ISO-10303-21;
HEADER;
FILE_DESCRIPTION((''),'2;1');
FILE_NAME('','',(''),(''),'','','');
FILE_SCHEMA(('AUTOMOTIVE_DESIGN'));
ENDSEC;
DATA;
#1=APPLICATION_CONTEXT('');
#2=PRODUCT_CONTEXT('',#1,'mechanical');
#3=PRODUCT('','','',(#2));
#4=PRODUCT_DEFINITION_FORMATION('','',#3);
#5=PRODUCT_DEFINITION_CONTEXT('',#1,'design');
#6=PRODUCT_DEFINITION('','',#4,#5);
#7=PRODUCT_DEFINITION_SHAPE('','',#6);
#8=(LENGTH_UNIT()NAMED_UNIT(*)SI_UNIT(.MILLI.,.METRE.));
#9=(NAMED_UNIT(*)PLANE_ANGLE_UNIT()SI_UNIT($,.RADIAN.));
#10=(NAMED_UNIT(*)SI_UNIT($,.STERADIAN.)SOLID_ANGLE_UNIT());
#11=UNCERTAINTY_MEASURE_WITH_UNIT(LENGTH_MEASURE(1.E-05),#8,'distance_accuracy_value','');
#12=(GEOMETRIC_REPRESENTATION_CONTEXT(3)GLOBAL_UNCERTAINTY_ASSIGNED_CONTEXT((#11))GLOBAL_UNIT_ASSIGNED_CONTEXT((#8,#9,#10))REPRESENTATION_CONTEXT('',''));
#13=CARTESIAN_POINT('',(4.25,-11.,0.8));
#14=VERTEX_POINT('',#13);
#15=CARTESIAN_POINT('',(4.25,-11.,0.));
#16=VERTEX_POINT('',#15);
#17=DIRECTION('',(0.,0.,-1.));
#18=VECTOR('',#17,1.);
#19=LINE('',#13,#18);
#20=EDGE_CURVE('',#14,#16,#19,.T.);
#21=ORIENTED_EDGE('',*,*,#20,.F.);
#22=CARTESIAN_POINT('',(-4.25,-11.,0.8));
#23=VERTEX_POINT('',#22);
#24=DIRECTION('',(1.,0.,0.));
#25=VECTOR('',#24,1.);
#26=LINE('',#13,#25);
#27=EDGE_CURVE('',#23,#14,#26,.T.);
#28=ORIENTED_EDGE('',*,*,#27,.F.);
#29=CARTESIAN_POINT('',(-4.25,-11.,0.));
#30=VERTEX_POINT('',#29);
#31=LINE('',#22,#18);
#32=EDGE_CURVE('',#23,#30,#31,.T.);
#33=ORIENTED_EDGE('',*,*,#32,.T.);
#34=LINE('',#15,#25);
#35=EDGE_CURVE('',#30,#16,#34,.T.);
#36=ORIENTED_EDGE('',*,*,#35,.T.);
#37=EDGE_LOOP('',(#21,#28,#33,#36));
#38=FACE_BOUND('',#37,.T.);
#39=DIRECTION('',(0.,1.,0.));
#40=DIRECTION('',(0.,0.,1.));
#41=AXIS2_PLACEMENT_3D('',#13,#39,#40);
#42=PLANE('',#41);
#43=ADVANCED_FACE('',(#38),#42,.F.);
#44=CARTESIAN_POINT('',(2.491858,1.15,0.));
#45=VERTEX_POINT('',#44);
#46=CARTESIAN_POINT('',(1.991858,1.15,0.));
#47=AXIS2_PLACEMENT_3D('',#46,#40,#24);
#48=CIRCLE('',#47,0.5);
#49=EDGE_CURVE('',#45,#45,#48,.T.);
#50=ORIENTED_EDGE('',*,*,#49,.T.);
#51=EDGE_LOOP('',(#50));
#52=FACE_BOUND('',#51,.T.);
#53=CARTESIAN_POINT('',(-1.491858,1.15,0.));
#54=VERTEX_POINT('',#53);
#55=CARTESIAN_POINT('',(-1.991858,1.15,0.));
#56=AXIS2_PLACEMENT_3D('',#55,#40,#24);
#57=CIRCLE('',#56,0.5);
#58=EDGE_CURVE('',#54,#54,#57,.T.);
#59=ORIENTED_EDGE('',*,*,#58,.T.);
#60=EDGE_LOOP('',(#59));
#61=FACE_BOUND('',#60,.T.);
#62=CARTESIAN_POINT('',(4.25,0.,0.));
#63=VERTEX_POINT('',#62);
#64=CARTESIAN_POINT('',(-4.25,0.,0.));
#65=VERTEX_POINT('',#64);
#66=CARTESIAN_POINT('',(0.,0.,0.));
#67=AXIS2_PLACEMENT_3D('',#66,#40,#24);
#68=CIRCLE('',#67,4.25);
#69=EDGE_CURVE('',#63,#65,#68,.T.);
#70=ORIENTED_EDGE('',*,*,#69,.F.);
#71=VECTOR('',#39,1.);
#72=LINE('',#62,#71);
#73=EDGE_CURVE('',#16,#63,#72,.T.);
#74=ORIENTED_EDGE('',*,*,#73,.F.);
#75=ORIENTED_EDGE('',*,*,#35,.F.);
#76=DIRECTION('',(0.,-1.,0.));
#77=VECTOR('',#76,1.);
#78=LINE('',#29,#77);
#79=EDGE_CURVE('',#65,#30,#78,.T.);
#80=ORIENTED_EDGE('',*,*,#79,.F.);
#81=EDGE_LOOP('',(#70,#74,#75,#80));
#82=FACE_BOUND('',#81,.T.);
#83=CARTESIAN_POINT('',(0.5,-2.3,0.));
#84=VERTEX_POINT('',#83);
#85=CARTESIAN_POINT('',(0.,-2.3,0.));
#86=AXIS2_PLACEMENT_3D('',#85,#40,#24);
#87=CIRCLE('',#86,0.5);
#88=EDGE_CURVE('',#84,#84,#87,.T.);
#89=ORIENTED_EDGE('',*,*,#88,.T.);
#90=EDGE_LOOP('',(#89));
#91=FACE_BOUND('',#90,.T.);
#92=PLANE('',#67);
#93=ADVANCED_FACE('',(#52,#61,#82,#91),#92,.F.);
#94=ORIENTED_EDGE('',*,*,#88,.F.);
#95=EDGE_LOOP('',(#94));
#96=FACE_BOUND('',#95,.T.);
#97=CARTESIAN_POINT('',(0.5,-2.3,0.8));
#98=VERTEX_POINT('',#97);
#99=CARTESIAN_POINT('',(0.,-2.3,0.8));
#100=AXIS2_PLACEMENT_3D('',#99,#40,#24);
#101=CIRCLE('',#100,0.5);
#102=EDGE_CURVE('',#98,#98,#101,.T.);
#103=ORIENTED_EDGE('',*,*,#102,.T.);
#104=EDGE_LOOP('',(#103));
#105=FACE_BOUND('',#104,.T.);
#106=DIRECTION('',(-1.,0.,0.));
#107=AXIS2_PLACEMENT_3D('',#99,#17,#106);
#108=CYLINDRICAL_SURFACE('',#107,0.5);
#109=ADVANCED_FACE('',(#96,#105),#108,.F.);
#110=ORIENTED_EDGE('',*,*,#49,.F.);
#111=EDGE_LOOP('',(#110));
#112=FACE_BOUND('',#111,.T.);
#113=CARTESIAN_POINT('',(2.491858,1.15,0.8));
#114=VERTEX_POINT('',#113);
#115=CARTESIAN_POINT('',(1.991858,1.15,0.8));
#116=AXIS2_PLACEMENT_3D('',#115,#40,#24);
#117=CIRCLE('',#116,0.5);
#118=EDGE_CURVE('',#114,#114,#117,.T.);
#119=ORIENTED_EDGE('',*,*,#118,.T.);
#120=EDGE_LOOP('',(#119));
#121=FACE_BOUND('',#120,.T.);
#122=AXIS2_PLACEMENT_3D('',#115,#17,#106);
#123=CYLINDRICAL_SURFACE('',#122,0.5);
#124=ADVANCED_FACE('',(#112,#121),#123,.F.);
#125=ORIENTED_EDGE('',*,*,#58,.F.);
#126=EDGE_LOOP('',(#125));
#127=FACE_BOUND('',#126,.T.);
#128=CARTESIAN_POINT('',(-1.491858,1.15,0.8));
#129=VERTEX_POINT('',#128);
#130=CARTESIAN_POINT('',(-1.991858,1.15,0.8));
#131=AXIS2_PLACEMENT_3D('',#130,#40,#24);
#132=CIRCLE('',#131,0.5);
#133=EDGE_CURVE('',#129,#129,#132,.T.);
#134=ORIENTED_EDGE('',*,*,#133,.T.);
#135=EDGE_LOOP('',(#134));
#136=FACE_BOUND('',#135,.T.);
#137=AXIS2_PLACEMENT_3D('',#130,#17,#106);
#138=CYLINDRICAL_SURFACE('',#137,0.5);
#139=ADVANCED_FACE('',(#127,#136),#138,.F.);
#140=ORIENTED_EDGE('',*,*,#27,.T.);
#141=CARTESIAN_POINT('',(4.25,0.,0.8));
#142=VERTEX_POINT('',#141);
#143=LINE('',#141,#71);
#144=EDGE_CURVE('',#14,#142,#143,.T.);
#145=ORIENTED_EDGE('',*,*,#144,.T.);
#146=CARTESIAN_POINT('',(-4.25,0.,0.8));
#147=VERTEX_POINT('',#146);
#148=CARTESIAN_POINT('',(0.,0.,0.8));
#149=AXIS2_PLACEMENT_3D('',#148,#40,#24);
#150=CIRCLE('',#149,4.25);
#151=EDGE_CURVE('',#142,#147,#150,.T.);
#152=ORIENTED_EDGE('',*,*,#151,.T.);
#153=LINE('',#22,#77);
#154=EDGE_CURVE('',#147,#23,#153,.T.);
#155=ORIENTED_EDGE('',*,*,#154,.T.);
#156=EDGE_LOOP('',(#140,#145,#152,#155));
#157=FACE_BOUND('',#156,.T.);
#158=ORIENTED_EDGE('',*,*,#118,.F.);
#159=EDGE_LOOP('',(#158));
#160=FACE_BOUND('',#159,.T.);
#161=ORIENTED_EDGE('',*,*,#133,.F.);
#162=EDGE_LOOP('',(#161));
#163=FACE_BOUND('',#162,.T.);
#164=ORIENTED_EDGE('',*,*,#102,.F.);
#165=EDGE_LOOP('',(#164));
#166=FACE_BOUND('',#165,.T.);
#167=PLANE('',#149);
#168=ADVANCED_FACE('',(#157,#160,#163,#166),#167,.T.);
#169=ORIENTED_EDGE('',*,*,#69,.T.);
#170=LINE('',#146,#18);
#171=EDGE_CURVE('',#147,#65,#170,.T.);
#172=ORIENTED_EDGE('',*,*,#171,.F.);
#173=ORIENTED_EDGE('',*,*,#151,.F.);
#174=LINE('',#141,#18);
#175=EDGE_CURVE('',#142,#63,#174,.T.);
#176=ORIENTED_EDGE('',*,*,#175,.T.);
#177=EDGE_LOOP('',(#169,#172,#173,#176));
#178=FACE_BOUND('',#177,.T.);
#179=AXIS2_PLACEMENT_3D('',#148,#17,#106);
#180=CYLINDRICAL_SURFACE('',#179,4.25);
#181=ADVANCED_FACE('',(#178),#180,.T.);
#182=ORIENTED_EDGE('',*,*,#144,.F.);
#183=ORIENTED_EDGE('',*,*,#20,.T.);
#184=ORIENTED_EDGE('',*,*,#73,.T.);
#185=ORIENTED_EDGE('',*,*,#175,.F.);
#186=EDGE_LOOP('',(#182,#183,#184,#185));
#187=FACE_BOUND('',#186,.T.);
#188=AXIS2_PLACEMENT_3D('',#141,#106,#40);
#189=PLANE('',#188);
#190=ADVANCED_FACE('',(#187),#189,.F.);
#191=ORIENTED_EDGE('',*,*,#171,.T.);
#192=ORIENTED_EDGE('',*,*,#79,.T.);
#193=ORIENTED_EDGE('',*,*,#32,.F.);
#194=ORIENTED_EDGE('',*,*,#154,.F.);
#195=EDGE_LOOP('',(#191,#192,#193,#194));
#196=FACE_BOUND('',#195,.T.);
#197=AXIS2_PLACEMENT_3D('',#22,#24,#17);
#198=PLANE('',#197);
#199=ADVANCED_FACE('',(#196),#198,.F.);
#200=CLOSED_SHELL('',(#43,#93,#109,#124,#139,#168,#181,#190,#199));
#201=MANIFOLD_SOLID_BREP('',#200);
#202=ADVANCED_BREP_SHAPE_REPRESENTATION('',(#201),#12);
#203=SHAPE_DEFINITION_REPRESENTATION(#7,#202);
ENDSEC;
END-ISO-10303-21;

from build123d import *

# Parameters (mm, degrees)
SKETCH1_R           = 0.5
BOSS_EXTRUDE1_DEPTH = 0.8


with BuildPart() as part:
    # Sketch1 → Boss-Extrude1 (new body)
    with BuildSketch(Plane.XY):
        with BuildLine():
            Line((4.25, 0), (4.25, -11))
            Line((4.25, -11), (-4.25, -11))
            Line((-4.25, -11), (-4.25, 0))
            ThreePointArc((-4.25, 0), (0, 4.25), (4.25, 0))
        make_face()
        with Locations((0, -2.3)):
            Circle(SKETCH1_R, mode=Mode.SUBTRACT)
        with Locations((-1.991858429, 1.15)):
            Circle(SKETCH1_R, mode=Mode.SUBTRACT)
        with Locations((1.991858429, 1.15)):
            Circle(SKETCH1_R, mode=Mode.SUBTRACT)
    extrude(amount=BOSS_EXTRUDE1_DEPTH)


solid = part.part
